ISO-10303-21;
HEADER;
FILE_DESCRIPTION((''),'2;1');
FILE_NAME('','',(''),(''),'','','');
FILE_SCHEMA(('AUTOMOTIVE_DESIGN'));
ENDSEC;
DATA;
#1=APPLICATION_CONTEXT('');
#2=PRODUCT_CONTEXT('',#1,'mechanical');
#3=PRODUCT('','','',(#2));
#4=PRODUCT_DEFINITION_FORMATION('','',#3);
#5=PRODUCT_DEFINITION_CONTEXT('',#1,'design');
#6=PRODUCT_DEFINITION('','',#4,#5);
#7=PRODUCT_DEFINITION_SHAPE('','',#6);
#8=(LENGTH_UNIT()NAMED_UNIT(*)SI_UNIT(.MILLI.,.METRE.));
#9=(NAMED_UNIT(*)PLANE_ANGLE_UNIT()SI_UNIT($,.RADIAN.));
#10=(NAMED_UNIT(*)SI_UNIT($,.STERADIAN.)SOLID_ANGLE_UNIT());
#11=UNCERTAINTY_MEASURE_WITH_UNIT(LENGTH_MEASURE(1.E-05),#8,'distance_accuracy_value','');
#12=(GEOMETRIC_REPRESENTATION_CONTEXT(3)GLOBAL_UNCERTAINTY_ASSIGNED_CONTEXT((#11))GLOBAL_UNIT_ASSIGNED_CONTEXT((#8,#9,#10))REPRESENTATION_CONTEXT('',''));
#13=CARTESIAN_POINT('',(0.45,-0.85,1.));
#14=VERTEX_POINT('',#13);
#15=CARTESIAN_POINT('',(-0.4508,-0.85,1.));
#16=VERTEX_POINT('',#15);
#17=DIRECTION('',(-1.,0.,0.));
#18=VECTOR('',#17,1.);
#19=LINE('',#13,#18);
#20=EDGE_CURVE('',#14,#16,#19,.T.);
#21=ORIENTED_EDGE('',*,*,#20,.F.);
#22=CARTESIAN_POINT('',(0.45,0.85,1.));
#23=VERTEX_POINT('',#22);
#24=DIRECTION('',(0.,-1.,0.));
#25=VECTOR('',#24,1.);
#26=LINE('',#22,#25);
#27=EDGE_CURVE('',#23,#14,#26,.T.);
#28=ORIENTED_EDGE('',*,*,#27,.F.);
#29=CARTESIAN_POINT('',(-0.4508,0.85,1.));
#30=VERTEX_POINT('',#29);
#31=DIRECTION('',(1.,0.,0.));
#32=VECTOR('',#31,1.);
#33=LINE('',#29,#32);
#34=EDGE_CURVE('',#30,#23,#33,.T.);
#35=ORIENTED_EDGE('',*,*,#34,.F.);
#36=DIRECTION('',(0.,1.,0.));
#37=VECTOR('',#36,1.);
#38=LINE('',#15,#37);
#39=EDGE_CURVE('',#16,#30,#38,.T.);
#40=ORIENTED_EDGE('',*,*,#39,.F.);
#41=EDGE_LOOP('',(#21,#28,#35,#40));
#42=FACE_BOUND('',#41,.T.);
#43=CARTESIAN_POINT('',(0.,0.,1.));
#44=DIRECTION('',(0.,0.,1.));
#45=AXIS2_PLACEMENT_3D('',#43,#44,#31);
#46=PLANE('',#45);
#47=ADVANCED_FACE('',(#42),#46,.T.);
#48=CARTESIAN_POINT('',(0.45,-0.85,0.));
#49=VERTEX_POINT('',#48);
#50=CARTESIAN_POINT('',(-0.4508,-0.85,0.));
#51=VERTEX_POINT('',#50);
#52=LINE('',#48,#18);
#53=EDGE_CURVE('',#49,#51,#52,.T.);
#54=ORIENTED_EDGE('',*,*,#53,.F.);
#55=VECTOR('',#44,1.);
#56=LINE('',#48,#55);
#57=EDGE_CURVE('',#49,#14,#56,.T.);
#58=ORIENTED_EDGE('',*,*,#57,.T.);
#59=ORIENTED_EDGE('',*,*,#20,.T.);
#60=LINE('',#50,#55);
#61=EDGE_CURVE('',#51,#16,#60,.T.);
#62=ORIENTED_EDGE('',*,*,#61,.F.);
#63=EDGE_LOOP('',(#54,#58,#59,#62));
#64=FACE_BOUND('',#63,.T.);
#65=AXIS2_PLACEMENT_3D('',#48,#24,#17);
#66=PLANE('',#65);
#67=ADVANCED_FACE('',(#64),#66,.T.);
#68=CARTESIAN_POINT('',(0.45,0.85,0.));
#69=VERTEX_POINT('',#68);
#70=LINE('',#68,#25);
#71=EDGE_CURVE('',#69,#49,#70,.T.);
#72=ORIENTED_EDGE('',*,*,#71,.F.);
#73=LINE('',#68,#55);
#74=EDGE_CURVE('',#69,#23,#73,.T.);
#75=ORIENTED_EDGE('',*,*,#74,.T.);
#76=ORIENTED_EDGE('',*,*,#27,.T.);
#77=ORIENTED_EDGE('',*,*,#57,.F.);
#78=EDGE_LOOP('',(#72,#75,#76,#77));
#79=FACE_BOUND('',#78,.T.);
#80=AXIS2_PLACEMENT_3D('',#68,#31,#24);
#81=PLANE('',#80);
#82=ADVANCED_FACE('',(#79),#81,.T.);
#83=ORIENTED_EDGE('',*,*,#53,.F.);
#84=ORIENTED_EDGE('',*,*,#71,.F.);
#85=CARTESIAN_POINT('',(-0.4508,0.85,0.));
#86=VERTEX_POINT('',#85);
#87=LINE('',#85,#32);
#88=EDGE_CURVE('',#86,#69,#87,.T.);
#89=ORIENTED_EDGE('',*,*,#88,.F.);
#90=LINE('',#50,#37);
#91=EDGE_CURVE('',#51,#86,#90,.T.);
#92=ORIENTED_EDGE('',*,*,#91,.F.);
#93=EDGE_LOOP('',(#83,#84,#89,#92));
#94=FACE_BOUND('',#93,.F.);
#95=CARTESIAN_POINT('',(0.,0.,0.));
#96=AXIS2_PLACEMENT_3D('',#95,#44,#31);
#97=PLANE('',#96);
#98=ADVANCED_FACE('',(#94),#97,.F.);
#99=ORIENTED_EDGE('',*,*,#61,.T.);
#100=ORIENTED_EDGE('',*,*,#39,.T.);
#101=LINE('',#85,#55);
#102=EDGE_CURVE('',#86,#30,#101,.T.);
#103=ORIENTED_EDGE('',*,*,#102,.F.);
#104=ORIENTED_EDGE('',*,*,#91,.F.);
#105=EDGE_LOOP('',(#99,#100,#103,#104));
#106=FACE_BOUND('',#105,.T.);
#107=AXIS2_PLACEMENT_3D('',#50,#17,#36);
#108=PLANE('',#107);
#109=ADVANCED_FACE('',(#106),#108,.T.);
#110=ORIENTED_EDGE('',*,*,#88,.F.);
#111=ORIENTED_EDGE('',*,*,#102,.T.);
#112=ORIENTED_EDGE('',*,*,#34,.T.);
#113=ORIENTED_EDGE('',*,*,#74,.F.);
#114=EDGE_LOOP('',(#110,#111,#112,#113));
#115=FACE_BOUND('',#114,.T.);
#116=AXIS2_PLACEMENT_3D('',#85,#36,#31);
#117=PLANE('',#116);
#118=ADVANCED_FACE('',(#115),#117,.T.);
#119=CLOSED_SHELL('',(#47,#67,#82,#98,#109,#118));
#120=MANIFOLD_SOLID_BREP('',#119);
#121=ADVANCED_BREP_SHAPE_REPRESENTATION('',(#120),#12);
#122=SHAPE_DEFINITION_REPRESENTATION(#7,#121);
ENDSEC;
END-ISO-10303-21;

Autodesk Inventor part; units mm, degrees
ref_plane "YZ Plane" through (0, 0, 0) normal (1, 0, 0) x (0, 1, 0)
ref_plane "XZ Plane" through (0, 0, 0) normal (0, 1, 0) x (-1, 0, 0)
ref_plane "XY Plane" through (0, 0, 0) normal (0, 0, 1) x (1, 0, 0)
sketch "CHIP-LED0603, CHIP-LED0603_86" plane through (0, 0, 0) normal (0, 0, 1) x (1, 0, 0)
  line L0 (-0.4508, 0.85) -> (0.45, 0.85)
  line L1 (0.45, 0.85) -> (0.45, -0.85)
  line L2 (0.45, -0.85) -> (-0.4508, -0.85)
  line L3 (-0.4508, -0.85) -> (-0.4508, 0.85)
extrude "Extrusion1" add sketch "CHIP-LED0603, CHIP-LED0603_86" along normal blind 1
properties part number "CHIP-LED0603"
